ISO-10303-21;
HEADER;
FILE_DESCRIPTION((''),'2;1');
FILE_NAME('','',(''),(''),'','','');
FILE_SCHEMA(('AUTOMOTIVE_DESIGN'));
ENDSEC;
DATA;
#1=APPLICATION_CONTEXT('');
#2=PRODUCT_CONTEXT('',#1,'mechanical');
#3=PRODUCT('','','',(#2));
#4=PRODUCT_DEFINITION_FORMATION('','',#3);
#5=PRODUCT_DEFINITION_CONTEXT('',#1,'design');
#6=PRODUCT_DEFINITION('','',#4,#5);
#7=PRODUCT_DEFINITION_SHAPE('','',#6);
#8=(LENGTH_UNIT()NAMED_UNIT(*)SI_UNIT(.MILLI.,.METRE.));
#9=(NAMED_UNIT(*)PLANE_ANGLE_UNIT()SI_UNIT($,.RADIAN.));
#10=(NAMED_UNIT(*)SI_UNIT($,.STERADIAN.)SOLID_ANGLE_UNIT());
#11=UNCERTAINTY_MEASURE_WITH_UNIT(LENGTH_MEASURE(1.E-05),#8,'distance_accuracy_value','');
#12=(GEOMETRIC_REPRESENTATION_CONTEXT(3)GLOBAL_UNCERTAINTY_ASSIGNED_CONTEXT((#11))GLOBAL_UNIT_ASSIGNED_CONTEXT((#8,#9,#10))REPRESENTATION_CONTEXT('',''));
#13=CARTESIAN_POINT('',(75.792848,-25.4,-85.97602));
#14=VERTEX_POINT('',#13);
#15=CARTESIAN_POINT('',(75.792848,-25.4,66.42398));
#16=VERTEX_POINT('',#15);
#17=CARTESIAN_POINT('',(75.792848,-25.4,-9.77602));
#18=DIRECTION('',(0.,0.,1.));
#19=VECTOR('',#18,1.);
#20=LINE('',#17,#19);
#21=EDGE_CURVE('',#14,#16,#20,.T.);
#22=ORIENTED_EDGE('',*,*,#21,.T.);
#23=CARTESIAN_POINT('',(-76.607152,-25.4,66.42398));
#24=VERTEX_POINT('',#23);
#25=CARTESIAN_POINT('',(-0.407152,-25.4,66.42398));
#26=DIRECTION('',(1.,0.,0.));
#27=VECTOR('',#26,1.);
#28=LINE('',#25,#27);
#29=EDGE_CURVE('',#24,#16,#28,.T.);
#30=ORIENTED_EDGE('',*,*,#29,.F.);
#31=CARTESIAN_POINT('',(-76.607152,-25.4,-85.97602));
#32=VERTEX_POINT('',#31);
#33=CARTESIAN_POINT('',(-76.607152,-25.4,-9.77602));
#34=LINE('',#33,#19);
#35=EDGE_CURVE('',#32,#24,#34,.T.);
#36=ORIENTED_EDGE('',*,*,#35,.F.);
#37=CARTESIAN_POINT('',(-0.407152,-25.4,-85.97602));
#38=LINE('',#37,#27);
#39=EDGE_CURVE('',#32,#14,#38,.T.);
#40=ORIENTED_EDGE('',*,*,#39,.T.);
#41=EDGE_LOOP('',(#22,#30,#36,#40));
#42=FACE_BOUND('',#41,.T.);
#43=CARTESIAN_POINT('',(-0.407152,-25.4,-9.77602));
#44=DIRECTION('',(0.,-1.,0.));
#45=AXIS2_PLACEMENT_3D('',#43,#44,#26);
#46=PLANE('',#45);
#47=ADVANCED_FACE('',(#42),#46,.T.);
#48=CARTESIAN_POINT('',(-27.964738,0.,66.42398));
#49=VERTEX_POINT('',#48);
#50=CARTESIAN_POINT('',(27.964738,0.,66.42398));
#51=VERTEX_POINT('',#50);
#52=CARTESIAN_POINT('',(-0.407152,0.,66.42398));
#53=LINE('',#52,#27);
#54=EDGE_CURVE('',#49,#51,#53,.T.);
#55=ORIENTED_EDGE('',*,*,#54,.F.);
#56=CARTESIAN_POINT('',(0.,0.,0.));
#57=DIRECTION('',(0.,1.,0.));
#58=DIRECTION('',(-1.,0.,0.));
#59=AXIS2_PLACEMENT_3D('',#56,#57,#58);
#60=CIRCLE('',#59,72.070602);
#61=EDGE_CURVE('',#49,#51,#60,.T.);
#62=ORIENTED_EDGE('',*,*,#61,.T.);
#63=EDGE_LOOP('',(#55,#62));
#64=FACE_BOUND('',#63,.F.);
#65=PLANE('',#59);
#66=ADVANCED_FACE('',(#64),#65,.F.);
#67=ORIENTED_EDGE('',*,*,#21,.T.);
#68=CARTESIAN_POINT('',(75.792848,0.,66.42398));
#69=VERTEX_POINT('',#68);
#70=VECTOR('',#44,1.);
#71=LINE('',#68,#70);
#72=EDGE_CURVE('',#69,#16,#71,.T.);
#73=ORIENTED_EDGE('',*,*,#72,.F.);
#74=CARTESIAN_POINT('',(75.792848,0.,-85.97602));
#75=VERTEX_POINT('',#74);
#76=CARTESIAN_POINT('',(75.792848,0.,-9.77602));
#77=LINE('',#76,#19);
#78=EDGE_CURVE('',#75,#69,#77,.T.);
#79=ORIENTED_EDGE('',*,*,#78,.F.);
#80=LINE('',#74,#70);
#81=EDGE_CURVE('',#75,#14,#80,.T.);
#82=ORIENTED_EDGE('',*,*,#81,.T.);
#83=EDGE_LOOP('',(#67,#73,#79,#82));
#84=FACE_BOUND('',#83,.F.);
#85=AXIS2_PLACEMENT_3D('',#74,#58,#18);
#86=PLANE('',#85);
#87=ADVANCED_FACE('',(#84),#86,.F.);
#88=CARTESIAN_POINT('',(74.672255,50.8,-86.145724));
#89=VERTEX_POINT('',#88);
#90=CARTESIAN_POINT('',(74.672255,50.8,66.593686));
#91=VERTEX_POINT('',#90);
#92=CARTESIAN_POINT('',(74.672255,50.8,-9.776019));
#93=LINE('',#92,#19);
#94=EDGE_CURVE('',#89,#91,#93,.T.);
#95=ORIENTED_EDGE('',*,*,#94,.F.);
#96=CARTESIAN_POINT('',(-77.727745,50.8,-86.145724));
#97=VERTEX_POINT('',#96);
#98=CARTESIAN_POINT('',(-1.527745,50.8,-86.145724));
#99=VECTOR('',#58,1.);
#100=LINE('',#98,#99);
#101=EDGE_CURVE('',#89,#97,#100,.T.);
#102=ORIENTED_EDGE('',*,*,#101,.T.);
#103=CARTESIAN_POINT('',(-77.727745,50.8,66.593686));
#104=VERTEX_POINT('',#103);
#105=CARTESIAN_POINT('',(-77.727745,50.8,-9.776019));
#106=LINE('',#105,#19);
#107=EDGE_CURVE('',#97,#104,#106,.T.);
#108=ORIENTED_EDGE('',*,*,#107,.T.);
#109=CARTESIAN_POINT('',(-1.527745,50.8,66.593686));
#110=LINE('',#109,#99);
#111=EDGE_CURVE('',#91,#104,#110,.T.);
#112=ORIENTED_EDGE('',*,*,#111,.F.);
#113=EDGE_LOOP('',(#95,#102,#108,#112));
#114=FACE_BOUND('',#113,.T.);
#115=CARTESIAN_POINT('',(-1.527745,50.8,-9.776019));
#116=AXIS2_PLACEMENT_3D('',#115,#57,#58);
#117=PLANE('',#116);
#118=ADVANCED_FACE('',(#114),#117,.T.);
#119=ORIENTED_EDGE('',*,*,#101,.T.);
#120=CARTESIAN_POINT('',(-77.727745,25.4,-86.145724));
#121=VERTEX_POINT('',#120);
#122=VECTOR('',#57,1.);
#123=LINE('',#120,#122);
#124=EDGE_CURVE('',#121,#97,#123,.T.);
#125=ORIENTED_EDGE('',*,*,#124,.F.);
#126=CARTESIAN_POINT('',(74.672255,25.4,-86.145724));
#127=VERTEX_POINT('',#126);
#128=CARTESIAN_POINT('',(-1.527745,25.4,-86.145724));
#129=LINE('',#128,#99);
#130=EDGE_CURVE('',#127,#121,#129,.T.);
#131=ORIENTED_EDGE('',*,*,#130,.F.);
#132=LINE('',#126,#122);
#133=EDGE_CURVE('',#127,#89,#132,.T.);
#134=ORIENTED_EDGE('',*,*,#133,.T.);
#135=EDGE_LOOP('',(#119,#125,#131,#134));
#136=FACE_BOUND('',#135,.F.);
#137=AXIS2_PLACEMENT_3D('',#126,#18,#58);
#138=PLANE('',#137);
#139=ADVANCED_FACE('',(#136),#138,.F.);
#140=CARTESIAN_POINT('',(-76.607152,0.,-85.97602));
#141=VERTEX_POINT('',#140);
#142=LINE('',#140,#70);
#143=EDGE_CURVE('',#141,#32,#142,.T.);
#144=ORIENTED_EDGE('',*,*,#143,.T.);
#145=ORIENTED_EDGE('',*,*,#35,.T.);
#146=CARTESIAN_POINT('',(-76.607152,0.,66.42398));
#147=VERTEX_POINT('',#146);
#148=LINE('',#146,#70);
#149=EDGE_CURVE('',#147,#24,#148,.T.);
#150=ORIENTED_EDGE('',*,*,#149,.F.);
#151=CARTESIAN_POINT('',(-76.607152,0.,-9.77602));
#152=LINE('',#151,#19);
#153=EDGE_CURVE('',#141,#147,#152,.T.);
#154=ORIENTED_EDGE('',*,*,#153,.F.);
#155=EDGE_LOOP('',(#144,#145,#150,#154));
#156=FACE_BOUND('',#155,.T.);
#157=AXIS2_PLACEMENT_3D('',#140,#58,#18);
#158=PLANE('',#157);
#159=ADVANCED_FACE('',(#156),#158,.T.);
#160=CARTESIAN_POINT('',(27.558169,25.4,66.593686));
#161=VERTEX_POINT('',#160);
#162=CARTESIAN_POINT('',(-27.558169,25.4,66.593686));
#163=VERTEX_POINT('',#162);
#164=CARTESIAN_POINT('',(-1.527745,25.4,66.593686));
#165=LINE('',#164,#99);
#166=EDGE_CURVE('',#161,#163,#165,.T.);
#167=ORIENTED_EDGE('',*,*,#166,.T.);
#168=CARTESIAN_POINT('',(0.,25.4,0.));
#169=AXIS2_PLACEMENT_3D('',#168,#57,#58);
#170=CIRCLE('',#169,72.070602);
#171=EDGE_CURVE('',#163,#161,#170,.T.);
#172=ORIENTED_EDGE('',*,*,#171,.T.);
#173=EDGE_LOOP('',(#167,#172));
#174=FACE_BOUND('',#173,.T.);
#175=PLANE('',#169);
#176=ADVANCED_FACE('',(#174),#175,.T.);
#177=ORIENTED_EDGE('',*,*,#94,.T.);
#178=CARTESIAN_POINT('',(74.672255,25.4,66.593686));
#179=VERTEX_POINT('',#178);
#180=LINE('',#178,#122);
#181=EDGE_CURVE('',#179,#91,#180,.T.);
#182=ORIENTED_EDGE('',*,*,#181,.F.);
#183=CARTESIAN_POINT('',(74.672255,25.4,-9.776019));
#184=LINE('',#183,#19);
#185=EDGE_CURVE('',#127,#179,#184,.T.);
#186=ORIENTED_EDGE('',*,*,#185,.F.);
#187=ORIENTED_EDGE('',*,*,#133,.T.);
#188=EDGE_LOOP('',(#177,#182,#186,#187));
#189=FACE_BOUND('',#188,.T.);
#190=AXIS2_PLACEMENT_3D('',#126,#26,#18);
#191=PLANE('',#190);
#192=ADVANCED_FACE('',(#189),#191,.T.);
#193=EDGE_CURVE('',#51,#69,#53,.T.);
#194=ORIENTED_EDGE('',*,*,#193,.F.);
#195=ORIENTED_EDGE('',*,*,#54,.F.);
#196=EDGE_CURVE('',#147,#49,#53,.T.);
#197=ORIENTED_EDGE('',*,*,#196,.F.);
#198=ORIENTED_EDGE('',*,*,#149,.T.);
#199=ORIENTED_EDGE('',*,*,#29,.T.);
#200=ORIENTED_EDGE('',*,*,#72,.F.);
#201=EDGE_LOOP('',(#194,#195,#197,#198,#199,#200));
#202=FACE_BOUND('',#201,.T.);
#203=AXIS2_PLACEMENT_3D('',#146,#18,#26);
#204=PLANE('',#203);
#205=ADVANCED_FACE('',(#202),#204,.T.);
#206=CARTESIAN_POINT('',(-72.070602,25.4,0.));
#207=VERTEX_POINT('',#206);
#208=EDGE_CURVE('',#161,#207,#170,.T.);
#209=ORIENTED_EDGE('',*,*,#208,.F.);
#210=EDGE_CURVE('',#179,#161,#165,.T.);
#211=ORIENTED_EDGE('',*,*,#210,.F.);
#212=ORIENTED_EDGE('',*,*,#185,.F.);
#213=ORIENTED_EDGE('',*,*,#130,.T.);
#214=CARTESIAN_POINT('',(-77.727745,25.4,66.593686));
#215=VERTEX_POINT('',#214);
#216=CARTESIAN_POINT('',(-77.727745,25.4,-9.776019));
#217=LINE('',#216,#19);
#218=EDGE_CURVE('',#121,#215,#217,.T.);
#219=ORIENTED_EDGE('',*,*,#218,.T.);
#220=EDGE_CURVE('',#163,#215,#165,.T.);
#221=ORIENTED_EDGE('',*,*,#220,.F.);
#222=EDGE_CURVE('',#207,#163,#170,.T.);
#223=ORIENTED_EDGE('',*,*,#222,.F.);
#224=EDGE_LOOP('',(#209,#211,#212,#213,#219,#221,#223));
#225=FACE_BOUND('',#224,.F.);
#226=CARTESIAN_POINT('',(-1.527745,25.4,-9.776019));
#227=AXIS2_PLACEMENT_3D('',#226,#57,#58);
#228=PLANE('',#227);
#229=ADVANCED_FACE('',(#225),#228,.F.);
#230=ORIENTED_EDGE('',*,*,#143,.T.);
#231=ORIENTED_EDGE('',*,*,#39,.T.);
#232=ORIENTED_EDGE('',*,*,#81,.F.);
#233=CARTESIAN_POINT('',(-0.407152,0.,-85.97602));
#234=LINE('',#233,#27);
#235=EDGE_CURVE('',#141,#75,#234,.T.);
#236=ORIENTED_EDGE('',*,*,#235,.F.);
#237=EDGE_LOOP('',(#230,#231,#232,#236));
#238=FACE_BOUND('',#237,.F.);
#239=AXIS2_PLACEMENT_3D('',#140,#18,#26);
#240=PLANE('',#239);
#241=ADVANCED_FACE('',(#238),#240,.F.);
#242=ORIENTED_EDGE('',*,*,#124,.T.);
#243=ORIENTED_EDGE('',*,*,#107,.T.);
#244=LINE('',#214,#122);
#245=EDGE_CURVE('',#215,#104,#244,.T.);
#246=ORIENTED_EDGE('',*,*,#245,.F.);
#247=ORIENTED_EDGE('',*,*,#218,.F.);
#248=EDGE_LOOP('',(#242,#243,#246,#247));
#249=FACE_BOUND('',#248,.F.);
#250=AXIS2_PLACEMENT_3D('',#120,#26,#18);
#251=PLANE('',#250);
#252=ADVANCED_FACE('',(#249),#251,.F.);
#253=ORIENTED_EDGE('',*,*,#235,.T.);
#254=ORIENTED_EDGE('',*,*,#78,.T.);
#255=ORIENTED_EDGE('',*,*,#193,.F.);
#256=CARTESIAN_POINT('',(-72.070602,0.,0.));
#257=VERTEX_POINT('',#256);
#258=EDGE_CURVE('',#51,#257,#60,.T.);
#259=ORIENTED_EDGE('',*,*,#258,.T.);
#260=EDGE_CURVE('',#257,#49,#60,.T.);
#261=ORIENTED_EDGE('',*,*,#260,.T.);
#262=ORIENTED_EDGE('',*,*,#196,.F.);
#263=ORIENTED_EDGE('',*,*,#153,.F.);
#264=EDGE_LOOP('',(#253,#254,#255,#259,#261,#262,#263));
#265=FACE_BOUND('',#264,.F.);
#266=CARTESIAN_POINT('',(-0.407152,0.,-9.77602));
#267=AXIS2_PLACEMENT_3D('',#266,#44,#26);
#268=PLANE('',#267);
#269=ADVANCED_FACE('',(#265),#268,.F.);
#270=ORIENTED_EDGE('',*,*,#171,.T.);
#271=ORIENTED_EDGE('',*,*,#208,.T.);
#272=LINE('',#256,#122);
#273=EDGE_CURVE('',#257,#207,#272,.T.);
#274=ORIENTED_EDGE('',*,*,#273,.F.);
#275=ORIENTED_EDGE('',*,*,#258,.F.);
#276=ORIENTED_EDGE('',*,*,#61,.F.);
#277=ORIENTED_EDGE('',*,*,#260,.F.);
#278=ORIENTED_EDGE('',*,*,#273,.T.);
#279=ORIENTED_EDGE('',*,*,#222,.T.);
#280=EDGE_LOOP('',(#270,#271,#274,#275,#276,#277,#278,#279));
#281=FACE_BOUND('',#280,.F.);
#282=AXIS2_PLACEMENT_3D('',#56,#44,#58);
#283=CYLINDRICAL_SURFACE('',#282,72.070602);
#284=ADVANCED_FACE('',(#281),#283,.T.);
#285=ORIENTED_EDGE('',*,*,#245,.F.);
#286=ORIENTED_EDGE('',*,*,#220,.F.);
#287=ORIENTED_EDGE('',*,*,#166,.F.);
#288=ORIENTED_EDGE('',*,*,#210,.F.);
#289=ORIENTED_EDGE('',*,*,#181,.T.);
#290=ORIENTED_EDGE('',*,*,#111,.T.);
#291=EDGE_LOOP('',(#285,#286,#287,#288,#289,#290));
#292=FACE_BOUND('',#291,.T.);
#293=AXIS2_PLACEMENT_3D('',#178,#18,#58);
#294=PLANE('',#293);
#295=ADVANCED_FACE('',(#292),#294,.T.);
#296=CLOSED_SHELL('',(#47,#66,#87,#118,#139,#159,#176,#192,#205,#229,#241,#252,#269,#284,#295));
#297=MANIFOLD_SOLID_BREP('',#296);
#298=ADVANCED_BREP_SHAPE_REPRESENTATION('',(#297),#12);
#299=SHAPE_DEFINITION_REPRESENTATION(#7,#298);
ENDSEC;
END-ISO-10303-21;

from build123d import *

# Parameters (mm, degrees)
F0_W     = 152.4
F0_H     = 152.4
F1_DEPTH = 25.4
F2_R     = 72.070602
F3_DEPTH = 25.4
F4_W     = 152.4
F4_H     = 152.73941
F5_DEPTH = 25.4


with BuildPart() as f1:
    # F0 (on Front) → F1 (new body)
    with BuildSketch(Plane.XZ):
        with Locations((-0.407152, -9.77602)):
            Rectangle(F0_W, F0_H)
    extrude(amount=F1_DEPTH)

    # F2 (on face) → F3 (join)
    with BuildSketch(Plane(origin=(0, 0, 0), x_dir=(-1, 0, 0), z_dir=(0, 1, 0))):
        Circle(F2_R)
    extrude(amount=F3_DEPTH)

    # F4 (on face) → F5 (join)
    with BuildSketch(Plane(origin=(0, 25.4, 0), x_dir=(-1, 0, 0), z_dir=(0, 1, 0))):
        with Locations((1.527745, -9.776019)):
            Rectangle(F4_W, F4_H)
    extrude(amount=F5_DEPTH)


solid = f1.part
